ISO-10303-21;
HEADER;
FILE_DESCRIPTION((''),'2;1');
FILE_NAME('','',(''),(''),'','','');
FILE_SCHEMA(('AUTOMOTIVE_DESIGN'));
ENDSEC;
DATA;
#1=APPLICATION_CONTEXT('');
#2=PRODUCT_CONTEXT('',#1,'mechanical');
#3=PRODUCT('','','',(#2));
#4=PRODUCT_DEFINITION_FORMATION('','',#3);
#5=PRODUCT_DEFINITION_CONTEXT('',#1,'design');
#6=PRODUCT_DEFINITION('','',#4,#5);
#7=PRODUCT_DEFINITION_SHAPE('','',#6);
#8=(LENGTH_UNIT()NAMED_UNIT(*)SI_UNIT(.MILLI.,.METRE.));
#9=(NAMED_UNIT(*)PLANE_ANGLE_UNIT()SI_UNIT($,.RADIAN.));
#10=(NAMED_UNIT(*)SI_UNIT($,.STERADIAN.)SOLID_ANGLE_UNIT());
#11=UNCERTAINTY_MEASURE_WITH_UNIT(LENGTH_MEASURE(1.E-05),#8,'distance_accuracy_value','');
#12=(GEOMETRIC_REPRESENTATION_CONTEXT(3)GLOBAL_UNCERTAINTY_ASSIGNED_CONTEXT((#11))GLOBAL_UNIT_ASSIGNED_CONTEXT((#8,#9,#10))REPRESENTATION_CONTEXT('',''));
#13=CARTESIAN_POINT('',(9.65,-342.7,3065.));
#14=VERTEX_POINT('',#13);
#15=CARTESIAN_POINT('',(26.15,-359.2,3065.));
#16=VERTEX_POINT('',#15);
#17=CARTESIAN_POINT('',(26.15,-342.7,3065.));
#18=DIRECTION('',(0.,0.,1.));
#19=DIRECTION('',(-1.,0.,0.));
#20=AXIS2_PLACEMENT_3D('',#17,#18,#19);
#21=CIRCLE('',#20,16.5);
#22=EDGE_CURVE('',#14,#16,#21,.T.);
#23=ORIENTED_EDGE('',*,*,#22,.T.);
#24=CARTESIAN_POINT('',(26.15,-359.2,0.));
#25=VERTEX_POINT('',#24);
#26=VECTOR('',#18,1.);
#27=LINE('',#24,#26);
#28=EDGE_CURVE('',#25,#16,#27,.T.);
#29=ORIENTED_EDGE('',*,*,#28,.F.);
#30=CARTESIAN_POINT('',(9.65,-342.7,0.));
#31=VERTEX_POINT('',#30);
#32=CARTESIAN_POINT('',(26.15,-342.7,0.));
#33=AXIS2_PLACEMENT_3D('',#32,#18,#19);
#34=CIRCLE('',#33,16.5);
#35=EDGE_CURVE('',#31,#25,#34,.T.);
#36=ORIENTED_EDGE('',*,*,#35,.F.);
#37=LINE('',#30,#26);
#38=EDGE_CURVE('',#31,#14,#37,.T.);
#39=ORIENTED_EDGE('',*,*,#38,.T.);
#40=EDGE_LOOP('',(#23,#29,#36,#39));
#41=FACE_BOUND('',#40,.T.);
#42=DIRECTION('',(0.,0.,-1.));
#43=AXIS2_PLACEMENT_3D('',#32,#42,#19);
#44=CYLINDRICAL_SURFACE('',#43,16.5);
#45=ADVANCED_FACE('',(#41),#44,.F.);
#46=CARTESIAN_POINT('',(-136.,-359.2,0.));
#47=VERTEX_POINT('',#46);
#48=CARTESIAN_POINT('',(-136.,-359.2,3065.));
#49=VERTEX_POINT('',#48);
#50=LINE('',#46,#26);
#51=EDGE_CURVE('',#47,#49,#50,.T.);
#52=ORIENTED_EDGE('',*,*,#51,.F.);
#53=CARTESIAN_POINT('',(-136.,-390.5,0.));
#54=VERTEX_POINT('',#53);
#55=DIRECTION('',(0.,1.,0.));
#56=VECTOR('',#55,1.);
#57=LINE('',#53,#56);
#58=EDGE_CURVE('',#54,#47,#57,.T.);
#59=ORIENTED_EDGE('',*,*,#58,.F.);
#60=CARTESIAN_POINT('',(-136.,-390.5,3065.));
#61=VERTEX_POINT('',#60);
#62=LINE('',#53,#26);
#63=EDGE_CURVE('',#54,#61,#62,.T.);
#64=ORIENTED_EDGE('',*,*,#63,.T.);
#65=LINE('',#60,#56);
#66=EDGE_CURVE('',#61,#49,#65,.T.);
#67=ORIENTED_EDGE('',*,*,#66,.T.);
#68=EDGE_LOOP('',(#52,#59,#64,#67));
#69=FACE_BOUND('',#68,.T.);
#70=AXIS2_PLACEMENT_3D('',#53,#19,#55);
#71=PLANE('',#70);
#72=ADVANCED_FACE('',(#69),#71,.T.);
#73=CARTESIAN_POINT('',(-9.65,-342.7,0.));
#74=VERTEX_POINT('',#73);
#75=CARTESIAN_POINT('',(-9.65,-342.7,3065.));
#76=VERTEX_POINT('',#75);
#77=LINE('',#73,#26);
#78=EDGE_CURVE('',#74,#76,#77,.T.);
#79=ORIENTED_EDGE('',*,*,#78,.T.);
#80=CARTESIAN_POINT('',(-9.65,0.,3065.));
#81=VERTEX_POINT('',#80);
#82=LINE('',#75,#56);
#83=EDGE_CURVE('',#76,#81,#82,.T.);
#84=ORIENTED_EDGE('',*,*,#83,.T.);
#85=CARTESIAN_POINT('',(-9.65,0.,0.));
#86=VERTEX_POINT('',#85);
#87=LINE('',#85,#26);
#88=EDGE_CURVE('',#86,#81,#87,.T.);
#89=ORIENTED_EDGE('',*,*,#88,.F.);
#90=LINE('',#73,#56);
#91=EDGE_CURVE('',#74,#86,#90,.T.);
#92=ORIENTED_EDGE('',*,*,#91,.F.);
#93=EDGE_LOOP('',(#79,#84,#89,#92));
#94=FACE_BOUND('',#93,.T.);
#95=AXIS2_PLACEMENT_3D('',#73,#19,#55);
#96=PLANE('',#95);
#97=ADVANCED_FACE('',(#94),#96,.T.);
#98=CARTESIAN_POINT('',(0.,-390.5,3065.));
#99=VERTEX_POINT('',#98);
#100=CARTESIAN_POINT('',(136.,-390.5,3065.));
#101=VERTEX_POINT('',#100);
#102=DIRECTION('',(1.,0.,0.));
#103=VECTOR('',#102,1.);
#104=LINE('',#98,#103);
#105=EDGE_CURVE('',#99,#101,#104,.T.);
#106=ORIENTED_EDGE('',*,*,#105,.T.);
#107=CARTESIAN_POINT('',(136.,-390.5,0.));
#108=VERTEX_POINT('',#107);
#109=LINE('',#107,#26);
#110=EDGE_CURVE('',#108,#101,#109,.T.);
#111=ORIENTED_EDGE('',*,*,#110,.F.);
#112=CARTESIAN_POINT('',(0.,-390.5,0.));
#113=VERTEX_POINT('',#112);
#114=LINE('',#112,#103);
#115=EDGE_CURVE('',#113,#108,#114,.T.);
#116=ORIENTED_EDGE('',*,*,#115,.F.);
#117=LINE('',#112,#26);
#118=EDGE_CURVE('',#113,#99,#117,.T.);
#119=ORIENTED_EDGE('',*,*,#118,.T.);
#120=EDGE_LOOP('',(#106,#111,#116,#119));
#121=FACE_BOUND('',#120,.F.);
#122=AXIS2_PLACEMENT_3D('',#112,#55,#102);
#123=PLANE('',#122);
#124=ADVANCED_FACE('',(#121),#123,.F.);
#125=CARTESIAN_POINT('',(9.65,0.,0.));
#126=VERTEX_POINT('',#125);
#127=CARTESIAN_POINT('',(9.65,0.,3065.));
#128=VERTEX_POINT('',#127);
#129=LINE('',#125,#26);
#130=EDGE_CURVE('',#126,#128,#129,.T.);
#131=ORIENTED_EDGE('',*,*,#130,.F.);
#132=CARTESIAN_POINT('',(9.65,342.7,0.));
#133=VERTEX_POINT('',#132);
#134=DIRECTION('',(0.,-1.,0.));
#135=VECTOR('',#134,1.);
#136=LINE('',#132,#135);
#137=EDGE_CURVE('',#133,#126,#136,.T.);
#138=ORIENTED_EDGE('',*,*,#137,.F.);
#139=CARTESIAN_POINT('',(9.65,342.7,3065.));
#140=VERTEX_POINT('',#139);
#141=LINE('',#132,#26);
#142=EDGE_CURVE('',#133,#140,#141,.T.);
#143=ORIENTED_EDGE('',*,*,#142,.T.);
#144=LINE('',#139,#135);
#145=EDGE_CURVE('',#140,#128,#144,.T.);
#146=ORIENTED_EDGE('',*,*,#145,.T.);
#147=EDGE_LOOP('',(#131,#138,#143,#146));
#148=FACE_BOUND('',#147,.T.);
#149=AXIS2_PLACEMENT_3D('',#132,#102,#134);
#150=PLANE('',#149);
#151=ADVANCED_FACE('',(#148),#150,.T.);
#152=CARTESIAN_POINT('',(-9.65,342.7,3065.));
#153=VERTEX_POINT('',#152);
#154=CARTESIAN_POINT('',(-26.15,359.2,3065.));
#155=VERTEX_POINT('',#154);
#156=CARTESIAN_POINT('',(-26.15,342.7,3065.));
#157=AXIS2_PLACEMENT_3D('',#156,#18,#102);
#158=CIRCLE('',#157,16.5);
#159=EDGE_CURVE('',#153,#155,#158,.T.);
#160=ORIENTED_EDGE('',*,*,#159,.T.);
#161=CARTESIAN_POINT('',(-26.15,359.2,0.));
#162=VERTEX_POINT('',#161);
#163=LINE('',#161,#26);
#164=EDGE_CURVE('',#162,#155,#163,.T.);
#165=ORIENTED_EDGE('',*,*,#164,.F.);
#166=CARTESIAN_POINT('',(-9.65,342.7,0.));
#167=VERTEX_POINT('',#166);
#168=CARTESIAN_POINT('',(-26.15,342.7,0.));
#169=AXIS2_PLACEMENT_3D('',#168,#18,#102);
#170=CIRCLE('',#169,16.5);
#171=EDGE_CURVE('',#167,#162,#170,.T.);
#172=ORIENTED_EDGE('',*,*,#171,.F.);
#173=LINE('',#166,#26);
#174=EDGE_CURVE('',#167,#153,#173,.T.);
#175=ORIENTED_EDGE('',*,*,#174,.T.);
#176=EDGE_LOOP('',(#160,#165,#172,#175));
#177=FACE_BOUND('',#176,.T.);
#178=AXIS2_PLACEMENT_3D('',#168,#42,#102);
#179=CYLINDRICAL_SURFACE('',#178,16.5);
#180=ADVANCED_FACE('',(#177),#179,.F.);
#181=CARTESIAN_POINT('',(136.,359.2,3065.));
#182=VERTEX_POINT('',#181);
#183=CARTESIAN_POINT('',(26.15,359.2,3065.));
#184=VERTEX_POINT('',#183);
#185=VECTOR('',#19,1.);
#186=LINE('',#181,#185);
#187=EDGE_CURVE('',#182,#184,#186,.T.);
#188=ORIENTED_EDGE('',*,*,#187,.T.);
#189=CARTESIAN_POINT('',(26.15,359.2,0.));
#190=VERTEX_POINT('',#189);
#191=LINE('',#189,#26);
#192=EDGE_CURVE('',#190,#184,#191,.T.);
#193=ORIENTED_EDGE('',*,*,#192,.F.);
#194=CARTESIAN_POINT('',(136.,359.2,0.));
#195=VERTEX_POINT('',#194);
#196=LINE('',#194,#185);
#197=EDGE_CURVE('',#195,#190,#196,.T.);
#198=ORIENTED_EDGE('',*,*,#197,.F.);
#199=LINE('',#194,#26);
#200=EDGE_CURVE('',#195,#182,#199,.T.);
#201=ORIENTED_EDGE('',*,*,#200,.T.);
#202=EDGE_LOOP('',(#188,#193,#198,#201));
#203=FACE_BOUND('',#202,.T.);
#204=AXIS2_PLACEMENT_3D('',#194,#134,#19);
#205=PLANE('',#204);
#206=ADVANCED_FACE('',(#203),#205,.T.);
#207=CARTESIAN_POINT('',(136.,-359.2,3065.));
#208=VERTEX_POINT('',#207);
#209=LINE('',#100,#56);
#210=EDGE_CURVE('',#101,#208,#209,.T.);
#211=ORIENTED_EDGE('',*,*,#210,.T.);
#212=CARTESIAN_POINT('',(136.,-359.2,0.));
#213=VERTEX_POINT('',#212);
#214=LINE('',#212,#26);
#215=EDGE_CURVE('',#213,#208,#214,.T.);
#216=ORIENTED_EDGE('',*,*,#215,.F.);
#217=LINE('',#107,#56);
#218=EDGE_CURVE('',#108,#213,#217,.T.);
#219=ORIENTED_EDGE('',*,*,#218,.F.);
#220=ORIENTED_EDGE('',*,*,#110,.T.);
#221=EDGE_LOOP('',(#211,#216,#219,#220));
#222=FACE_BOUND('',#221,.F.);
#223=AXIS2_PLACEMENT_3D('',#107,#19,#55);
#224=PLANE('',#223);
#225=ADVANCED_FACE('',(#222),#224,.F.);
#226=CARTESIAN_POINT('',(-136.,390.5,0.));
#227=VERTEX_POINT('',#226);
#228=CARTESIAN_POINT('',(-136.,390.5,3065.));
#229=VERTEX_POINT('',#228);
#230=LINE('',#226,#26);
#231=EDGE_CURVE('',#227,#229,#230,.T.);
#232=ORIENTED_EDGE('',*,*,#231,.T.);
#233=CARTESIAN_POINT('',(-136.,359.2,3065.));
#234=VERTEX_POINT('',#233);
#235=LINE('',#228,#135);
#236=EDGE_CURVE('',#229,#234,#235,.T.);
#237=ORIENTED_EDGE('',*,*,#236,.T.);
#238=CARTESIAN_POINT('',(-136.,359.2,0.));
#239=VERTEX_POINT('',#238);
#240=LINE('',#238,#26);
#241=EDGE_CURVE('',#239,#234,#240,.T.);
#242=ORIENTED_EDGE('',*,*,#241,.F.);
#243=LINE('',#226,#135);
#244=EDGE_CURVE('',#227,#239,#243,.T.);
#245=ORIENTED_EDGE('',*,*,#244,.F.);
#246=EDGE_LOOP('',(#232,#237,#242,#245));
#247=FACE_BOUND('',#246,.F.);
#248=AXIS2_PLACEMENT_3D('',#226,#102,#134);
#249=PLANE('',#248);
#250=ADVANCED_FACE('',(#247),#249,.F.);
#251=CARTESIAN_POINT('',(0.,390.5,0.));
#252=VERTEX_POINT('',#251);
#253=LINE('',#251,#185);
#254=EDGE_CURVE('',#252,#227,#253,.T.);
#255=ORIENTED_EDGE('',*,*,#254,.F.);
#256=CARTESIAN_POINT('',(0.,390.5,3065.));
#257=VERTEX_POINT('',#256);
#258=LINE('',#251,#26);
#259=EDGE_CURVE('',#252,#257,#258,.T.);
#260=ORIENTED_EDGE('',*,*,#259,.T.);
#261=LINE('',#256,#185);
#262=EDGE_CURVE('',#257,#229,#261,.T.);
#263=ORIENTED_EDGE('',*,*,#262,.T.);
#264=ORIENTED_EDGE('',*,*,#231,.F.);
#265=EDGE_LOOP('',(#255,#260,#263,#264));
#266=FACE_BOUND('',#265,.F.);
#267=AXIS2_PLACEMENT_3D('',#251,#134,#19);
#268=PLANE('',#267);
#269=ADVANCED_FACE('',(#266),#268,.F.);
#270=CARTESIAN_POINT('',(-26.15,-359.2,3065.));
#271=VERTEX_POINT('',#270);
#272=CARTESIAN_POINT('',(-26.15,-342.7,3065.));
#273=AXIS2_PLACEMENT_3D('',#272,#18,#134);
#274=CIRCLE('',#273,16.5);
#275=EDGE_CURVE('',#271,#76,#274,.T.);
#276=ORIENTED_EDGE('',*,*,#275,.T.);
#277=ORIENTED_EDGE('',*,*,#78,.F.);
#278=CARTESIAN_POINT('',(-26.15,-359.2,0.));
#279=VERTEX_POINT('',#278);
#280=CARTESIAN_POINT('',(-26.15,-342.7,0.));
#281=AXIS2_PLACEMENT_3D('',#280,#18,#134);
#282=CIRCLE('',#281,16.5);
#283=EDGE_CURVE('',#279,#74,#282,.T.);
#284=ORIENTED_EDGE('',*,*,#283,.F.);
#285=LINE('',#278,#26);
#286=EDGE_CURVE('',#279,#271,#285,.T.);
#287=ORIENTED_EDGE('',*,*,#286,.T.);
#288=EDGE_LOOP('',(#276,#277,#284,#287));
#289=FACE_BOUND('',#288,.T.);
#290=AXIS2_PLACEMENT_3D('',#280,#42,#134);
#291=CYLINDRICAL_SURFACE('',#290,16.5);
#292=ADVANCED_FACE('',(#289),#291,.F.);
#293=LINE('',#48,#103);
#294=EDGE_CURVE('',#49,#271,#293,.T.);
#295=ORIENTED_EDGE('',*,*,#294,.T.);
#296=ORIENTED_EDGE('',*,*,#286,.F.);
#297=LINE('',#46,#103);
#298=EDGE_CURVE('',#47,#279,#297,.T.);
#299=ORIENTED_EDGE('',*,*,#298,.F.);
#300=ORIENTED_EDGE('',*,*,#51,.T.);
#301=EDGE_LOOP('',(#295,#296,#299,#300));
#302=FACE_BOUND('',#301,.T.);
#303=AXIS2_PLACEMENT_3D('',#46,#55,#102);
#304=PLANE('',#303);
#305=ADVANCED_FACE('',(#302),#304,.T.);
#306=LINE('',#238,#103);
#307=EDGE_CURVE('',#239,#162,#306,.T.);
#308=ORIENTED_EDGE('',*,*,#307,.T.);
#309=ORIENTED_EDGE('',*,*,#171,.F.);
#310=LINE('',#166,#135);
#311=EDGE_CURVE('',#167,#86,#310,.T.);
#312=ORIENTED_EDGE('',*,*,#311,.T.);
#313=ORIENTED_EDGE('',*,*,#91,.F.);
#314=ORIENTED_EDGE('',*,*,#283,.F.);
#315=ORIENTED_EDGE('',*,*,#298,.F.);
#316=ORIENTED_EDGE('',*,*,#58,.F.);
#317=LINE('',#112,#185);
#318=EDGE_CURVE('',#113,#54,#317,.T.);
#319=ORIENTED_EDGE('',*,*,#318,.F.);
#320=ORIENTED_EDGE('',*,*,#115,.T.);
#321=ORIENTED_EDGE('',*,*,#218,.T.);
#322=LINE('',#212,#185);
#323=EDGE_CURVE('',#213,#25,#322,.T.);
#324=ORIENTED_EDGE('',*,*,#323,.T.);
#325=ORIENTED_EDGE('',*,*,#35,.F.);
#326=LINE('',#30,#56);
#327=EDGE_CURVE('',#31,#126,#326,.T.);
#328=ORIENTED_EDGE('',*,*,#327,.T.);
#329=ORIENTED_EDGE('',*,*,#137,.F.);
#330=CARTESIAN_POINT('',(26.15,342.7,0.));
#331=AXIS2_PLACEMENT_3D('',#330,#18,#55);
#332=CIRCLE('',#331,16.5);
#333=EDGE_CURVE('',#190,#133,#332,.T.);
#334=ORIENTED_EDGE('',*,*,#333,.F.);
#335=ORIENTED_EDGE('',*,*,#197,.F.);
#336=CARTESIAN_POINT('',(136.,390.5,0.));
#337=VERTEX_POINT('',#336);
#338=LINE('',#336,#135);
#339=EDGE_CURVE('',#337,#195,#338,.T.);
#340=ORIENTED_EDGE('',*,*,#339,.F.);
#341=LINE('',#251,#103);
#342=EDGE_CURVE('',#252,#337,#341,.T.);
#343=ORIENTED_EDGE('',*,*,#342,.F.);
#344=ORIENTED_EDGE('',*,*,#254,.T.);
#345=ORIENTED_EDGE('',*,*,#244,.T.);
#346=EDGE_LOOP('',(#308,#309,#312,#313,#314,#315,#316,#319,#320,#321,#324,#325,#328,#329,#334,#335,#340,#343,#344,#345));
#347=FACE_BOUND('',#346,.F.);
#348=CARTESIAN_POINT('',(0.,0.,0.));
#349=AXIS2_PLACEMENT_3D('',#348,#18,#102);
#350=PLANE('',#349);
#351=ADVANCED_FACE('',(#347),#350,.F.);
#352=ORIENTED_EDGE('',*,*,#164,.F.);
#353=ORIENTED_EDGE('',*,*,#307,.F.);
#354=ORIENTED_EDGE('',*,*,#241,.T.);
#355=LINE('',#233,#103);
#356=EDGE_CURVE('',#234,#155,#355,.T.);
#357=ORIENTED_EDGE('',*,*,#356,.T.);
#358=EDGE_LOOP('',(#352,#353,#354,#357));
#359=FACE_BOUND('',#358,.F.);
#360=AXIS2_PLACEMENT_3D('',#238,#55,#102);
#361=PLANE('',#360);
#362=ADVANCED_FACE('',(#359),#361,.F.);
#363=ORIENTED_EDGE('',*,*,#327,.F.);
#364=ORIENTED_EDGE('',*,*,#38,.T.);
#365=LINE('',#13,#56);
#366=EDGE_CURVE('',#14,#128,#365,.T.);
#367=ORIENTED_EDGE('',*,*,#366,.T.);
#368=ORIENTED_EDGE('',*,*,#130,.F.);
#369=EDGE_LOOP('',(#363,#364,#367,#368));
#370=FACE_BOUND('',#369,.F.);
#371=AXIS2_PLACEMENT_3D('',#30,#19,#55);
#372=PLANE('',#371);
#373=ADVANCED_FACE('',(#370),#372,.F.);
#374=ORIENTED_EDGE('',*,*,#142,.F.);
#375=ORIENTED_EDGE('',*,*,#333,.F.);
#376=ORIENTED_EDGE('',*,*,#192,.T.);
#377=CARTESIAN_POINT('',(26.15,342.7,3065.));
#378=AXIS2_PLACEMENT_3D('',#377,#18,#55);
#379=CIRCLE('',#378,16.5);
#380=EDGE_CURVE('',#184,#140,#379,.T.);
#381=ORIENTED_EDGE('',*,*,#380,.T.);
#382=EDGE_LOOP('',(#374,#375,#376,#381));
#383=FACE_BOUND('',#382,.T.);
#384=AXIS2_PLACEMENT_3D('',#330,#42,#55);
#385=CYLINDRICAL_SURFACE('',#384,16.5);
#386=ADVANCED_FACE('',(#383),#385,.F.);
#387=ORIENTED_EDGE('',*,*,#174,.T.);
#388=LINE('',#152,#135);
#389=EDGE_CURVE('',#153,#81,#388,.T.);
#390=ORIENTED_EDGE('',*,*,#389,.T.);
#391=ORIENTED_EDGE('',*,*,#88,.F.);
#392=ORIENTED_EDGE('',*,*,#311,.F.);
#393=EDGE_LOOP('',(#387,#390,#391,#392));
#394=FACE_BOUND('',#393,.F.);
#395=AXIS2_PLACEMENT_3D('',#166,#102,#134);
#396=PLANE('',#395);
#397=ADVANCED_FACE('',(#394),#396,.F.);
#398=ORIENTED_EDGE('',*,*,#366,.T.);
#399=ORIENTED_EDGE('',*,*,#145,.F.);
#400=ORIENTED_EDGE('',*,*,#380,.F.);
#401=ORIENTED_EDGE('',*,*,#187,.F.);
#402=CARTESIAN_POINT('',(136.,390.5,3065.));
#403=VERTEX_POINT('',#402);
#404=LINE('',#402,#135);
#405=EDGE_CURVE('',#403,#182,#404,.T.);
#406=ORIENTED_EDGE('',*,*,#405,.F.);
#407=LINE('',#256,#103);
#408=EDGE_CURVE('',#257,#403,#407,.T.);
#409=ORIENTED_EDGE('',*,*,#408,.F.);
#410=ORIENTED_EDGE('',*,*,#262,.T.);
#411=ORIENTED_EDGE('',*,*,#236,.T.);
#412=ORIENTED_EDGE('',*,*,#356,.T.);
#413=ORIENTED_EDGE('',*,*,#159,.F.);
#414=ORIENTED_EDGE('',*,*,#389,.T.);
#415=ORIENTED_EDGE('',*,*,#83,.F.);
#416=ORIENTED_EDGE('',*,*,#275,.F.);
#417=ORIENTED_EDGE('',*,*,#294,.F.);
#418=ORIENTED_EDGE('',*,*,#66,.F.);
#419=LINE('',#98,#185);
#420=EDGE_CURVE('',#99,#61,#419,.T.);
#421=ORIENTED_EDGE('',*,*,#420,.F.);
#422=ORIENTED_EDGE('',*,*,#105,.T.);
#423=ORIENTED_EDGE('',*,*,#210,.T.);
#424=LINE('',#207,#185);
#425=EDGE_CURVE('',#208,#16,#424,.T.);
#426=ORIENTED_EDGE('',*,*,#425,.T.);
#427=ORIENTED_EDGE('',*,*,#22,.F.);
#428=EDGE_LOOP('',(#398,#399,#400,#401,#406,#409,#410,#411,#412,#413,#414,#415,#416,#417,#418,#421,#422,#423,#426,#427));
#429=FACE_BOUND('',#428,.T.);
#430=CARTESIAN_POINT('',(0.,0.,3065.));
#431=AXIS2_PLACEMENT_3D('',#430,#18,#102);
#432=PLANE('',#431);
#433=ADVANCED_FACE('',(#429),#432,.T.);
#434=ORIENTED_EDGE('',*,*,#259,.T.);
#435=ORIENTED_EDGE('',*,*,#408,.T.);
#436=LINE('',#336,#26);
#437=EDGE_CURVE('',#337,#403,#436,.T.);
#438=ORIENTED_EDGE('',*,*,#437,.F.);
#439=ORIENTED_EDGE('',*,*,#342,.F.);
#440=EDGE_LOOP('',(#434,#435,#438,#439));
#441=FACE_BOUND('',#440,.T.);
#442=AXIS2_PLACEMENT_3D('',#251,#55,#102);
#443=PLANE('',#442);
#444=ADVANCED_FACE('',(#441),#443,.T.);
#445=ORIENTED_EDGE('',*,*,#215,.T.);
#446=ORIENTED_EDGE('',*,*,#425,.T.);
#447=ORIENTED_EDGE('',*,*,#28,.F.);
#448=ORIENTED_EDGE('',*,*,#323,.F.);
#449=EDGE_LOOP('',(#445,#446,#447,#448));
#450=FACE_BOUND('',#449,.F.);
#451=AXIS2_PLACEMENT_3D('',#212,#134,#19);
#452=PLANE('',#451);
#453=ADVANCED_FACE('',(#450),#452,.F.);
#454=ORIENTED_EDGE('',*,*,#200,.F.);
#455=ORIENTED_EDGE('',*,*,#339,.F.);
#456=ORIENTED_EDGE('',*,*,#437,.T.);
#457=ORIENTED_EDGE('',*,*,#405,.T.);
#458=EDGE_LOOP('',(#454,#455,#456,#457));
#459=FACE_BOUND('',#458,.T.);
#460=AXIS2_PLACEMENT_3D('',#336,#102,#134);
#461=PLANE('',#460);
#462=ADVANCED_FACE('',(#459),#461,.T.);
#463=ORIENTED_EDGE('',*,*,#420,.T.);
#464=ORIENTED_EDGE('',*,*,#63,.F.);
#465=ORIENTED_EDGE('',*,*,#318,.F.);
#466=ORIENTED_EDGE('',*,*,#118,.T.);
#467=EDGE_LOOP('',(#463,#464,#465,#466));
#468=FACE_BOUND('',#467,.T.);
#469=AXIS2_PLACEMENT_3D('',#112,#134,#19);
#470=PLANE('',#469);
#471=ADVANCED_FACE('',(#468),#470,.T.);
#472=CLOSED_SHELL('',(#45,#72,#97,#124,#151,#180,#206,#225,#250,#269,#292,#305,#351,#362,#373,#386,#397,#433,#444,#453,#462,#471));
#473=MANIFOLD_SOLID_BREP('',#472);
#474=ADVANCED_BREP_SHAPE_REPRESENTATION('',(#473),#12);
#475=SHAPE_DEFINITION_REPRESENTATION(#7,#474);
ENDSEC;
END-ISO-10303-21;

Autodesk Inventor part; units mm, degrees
ref_plane "YZ Plane" through (0, 0, 0) normal (1, 0, 0) x (0, 1, 0)
ref_plane "Start plane" through (0, 0, 0) normal (0, 0, 1) x (1, 0, 0)
ref_plane "End plane" through (0, 0, 3065) normal (0, 0, 1) x (1, 0, 0)
sketch "Sketch" plane through (0, 0, 0) normal (0, 0, 1) x (1, 0, 0)
  line L0 (-136, -390.5) -> (-136, -359.2)
  line L1 (-136, -359.2) -> (-26.15, -359.2)
  line L2 (-9.65, -342.7) -> (-9.65, 0)
  line L3 (-9.65, 0) -> (0, 0) construction
  line L4 (0, 0) -> (0, -390.5) construction
  line L5 (0, -390.5) -> (-136, -390.5)
  line L6 (-60, 0) -> (80, 0) construction
  line L7 (0, -60) -> (0, 80) construction
  line L8 (136, -390.5) -> (136, -359.2)
  line L9 (136, -359.2) -> (26.15, -359.2)
  line L10 (9.65, -342.7) -> (9.65, 0)
  line L11 (9.65, 0) -> (0, 0) construction
  line L12 (0, -390.5) -> (136, -390.5)
  line L13 (-136, 390.5) -> (-136, 359.2)
  line L14 (-136, 359.2) -> (-26.15, 359.2)
  line L15 (-9.65, 342.7) -> (-9.65, 0)
  line L16 (0, 390.5) -> (-136, 390.5)
  line L17 (136, 390.5) -> (136, 359.2)
  line L18 (136, 359.2) -> (26.15, 359.2)
  line L19 (0, 390.5) -> (136, 390.5)
  line L20 (9.65, 342.7) -> (9.65, 0)
  arc A0 (-9.65, 342.7) -> (-26.15, 359.2) centre (-26.15, 342.7) ccw
  arc A1 (26.15, 359.2) -> (9.65, 342.7) centre (26.15, 342.7) ccw
  arc A2 (9.65, -342.7) -> (26.15, -359.2) centre (26.15, -342.7) ccw
  arc A3 (-26.15, -359.2) -> (-9.65, -342.7) centre (-26.15, -342.7) ccw
  line L21 (0, 108) -> (0, -88) construction
  line L22 (-88, 0) -> (108, 0) construction
  point P0 (-9.65, -359.2)
  point P1 (9.65, -359.2)
  point P2 (-9.65, 359.2)
  point P3 (9.65, 359.2)
  dimension "d1" = 390.5
  dimension "d2" = 31.3
  dimension "d3" = 136
  dimension "d4" = 9.65
  dimension "d10" = 16.5
extrude "Body" add sketch "Sketch" along normal up to surface (3065 mm away) from surface at 0
sketch "Sketch4" plane through (0, 0, 0) normal (0, 0, 1) x (1, 0, 0)
  line L0 (0, 0) -> (10, 0)
ref_plane "Work Plane3" through (0, 0, 0) normal (0, -1, 0) x (1, 0, 0)
sketch "Sketch5" plane through (0, 0, 0) normal (0, -1, 0) x (1, 0, 0)
  line L0 (-2, 0) -> (12, 0) projected
  line L1 (-2, 3065) -> (12, 3065) projected
  dimension "d14" = 3065
equation "\"d1\" = 0.5 * G_H"
equation "\"d2\" = G_T1"
equation "\"d3\" = 0.5 * G_W"
equation "\"d4\" = 0.5 * G_T"
equation "\"d10\" = G_IR"
equation "\"d5\" = G_L"
equation "\"G_W\" = 272"
equation "\"G_H\" = 781"
equation "\"G_T\" = 19.3"
equation "\"G_T1\" = 31.3"
equation "\"G_IR\" = 16.5"
equation "\"G_L\" = d14"
equation "\"G_OFFSET_START\" = 0"
equation "\"G_OFFSET_END\" = 0"
equation "\"d12\" = G_OFFSET_END + B_L"
equation "\"B_L\" = 3065"
properties part number "AS 3679-1990 - 760 UB - 244 - 3065" material "Steel, Mild"
